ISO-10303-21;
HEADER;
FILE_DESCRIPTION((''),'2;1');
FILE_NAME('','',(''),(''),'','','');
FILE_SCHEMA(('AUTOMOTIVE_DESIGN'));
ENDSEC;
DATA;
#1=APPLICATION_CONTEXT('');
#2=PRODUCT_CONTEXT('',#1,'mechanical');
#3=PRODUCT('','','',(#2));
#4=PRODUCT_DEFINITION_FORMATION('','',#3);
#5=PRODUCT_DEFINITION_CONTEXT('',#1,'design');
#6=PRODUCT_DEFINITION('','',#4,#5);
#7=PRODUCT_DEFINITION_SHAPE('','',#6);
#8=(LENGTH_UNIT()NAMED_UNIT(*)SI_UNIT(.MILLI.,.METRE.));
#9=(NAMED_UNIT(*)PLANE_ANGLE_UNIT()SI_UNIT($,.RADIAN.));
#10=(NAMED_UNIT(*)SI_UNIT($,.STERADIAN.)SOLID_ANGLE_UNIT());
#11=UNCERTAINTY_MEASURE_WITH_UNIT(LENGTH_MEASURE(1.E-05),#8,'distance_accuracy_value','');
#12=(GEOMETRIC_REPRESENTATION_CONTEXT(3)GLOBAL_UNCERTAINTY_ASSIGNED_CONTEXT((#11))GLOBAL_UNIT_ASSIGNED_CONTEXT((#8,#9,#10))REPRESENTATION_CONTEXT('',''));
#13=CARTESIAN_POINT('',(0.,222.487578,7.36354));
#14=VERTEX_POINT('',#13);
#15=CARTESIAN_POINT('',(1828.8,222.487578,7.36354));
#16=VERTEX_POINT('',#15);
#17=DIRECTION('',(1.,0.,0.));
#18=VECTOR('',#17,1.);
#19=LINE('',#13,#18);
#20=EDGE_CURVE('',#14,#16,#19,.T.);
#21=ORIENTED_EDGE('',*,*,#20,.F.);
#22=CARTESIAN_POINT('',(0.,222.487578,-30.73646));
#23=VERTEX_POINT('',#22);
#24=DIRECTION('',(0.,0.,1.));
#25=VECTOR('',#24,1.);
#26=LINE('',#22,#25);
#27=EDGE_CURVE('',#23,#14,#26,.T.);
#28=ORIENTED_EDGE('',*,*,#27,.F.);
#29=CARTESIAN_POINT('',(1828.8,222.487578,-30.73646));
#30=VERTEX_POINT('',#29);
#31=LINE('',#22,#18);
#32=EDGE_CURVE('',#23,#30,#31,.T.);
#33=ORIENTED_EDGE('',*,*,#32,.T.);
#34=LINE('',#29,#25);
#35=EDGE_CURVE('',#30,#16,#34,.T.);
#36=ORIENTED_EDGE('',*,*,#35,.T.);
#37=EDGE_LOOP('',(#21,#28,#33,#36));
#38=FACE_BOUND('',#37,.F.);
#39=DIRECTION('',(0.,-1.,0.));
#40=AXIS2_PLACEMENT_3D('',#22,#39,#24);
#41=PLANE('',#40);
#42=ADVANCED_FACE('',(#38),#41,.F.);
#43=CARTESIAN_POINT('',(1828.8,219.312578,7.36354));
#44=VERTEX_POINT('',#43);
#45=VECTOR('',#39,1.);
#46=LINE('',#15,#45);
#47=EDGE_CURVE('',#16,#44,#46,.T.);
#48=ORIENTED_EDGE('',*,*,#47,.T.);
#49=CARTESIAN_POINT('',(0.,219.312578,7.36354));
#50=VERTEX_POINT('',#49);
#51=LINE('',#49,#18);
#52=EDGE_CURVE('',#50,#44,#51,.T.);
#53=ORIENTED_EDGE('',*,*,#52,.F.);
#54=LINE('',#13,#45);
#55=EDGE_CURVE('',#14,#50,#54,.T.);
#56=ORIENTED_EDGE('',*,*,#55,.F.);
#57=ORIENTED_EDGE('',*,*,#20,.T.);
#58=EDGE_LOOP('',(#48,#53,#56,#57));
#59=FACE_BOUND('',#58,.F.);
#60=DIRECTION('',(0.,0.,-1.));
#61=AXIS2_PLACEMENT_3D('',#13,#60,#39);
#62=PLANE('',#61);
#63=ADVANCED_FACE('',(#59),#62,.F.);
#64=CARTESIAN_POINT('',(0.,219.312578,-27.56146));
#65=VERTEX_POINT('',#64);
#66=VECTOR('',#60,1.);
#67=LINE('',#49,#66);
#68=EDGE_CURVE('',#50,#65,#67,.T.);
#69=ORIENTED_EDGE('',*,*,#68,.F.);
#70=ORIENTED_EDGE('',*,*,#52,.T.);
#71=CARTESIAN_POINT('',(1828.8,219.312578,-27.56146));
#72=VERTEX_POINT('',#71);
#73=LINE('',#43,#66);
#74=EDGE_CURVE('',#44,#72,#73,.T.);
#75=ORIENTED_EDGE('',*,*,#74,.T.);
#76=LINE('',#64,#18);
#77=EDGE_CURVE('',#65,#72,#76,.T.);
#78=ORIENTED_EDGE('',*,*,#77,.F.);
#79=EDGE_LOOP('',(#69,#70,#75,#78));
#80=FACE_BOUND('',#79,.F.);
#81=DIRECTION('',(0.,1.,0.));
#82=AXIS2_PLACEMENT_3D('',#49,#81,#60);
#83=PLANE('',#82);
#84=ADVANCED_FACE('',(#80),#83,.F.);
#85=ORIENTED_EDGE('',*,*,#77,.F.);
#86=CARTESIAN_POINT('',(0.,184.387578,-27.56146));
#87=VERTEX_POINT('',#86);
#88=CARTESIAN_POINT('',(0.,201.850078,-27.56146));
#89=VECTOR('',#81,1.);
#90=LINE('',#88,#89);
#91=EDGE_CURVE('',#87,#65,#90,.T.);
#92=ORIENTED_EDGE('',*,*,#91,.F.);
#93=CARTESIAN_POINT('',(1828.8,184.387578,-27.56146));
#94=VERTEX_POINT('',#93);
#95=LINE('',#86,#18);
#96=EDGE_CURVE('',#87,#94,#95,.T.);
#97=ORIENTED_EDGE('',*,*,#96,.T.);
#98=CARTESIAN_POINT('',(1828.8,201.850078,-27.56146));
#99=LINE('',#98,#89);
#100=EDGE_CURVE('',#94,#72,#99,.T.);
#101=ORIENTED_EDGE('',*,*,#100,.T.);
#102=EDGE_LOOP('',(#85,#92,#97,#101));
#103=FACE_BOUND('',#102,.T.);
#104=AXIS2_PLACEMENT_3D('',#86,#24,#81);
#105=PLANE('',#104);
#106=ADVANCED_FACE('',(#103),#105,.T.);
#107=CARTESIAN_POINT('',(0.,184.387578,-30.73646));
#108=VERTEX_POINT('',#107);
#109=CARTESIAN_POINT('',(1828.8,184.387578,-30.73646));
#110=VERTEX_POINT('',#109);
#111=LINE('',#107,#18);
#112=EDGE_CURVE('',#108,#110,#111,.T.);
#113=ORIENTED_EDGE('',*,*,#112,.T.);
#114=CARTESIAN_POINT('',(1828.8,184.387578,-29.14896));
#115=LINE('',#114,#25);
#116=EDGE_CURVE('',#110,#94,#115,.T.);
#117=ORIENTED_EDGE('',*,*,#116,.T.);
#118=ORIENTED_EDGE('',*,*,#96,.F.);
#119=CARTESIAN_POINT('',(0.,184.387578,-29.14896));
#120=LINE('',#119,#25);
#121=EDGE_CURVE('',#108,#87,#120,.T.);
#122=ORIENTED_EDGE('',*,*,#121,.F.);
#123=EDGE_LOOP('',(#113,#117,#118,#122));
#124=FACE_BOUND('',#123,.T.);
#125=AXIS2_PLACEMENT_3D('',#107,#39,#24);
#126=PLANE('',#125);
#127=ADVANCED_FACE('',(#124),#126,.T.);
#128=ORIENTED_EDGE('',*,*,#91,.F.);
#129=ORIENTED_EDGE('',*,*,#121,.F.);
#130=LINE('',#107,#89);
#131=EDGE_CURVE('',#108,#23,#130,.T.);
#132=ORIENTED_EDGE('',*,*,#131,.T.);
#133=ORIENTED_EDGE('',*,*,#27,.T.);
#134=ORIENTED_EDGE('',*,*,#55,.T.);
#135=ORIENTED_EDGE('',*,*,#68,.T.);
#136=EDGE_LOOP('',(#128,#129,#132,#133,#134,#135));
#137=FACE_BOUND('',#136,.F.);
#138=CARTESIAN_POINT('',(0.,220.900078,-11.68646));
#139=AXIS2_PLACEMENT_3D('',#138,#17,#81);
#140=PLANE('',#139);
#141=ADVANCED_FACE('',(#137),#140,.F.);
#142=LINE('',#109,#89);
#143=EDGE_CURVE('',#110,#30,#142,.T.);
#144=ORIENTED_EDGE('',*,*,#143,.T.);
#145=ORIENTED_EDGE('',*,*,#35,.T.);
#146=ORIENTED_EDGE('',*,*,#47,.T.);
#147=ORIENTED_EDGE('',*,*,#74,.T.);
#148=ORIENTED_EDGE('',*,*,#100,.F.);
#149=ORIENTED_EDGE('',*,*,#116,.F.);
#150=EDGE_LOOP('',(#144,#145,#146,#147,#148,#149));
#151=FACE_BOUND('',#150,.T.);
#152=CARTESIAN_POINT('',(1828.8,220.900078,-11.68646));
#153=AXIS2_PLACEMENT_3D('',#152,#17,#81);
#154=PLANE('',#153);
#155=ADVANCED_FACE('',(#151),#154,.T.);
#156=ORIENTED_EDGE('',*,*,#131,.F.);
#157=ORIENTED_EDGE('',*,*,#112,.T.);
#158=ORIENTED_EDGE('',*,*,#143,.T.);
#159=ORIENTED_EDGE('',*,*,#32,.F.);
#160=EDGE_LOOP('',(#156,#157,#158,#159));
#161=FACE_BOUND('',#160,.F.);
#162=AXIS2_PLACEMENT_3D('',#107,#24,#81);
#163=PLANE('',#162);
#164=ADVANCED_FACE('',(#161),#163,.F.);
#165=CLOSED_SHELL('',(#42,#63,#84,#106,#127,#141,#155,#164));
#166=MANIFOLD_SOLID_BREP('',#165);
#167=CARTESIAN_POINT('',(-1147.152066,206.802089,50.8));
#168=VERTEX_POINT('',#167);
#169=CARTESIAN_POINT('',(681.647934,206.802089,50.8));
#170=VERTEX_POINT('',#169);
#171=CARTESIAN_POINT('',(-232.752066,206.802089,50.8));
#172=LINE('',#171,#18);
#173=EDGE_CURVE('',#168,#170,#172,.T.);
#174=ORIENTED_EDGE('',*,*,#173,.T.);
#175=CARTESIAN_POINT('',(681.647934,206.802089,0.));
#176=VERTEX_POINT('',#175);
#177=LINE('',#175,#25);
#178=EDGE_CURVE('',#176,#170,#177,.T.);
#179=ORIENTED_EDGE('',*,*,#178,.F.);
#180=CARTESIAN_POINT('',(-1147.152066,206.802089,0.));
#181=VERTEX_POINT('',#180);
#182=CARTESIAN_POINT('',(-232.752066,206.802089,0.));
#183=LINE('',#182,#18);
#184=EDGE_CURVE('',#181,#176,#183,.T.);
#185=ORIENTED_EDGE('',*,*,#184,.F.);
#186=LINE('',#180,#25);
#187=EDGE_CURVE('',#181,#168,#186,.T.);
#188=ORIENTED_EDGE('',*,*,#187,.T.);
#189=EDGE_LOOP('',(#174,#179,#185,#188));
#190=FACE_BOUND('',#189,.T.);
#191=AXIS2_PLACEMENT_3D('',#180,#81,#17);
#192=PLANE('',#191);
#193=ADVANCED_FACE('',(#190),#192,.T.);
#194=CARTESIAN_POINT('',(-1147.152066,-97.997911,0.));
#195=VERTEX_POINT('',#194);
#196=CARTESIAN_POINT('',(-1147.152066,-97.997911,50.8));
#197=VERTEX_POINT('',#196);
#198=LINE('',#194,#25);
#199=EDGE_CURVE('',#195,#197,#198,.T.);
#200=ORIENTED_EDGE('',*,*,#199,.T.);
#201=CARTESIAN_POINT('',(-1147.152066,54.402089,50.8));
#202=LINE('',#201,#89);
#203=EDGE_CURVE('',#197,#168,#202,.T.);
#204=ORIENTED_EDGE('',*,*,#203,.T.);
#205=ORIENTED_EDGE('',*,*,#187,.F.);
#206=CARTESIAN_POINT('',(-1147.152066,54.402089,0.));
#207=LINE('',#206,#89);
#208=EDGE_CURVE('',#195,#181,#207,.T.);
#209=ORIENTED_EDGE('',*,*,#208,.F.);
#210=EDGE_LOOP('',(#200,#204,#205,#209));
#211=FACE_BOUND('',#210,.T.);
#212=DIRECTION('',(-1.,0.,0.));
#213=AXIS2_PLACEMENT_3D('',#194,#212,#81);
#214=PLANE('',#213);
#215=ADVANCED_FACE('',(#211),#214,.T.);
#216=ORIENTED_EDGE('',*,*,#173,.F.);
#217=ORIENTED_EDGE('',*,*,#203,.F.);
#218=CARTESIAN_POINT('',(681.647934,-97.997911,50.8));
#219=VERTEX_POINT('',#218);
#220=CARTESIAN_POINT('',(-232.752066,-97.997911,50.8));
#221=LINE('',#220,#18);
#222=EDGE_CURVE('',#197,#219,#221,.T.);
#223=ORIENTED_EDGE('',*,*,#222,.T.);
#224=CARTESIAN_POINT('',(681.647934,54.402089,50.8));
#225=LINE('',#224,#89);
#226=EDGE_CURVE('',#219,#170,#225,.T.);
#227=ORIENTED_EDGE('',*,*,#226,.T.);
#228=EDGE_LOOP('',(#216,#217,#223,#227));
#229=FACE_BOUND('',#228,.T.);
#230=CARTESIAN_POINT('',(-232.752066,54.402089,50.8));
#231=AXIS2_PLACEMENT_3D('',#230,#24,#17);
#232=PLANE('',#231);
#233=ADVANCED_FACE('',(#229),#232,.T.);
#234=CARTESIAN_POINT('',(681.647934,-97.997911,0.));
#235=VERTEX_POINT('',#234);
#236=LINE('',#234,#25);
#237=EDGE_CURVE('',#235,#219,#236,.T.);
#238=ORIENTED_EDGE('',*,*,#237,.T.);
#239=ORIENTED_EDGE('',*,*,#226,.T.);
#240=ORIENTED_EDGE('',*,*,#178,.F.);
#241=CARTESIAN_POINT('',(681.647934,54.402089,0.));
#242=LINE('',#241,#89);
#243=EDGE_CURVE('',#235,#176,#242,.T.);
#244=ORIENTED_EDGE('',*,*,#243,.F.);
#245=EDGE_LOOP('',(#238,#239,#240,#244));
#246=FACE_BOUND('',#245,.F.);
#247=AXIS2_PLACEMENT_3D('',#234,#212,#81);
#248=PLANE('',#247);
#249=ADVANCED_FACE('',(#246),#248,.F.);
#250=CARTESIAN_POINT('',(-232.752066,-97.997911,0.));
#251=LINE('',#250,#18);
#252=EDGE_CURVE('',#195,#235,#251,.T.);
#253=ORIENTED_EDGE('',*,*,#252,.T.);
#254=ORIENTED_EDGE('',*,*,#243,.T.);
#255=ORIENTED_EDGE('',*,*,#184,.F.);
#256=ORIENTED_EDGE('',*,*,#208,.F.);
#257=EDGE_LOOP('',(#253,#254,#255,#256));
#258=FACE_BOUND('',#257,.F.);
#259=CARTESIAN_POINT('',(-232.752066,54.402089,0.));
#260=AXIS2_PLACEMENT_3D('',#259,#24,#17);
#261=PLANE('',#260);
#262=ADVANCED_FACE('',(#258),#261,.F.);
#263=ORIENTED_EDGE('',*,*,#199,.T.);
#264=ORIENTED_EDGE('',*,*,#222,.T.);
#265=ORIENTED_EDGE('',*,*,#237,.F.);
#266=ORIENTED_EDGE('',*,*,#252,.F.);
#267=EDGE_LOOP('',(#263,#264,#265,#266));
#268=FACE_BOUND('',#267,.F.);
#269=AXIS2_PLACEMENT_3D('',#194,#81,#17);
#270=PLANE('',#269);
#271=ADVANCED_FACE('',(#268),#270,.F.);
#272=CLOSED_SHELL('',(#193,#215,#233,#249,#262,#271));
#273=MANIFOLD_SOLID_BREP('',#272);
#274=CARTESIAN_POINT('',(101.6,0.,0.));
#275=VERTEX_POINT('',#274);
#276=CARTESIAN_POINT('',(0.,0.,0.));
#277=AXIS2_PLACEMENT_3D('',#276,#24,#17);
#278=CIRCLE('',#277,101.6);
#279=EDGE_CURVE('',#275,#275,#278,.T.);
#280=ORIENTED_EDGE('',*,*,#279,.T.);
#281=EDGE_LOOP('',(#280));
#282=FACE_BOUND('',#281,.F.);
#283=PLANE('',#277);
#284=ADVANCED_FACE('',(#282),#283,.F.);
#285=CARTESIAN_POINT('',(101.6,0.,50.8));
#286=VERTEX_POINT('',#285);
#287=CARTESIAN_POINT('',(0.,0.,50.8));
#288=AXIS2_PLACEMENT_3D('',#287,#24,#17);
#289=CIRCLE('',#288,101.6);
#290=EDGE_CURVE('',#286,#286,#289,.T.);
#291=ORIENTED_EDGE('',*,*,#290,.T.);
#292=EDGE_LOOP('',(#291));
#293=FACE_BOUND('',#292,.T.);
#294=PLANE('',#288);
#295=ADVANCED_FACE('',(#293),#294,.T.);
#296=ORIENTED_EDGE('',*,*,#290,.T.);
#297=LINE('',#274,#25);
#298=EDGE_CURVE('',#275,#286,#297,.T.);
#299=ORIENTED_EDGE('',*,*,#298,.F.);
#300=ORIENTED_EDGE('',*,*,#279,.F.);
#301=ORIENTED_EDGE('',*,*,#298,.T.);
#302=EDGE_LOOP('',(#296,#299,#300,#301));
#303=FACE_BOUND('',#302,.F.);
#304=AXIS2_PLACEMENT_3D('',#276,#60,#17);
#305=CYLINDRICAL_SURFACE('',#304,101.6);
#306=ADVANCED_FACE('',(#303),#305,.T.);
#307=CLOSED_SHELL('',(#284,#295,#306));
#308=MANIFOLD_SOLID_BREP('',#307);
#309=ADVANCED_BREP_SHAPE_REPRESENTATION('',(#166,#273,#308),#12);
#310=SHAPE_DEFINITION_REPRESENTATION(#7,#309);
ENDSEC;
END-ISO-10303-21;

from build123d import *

# Parameters (mm, degrees)
F0_R     = 101.6
F1_DEPTH = 50.8
F2_W     = 1828.8
F2_H     = 304.8
F3_DEPTH = 50.8
F4_W     = 34.925
F4_H     = 3.175
F5_DEPTH = 1828.8


with BuildPart() as f1:
    # F0 (on Top) → F1 (new body)
    with BuildSketch(Plane.XY):
        Circle(F0_R)
    extrude(amount=F1_DEPTH)


with BuildPart() as f3:
    # F2 (on Top) → F3 (new body)
    with BuildSketch(Plane.XY):
        with Locations((-232.752066, 54.402089)):
            Rectangle(F2_W, F2_H)
    extrude(amount=F3_DEPTH)


with BuildPart() as f5:
    # F4 (on Right) → F5 (new body)
    with BuildSketch(Plane.YZ):
        Polygon((222.487578, -30.73646), (222.487578, 7.36354), (219.312578, 7.36354), (219.312578, -27.56146), (219.312578, -30.73646), align=None)
        with Locations((201.850078, -29.14896)):
            Rectangle(F4_W, F4_H)
    extrude(amount=F5_DEPTH)


solid = Compound([f1.part, f3.part, f5.part])
